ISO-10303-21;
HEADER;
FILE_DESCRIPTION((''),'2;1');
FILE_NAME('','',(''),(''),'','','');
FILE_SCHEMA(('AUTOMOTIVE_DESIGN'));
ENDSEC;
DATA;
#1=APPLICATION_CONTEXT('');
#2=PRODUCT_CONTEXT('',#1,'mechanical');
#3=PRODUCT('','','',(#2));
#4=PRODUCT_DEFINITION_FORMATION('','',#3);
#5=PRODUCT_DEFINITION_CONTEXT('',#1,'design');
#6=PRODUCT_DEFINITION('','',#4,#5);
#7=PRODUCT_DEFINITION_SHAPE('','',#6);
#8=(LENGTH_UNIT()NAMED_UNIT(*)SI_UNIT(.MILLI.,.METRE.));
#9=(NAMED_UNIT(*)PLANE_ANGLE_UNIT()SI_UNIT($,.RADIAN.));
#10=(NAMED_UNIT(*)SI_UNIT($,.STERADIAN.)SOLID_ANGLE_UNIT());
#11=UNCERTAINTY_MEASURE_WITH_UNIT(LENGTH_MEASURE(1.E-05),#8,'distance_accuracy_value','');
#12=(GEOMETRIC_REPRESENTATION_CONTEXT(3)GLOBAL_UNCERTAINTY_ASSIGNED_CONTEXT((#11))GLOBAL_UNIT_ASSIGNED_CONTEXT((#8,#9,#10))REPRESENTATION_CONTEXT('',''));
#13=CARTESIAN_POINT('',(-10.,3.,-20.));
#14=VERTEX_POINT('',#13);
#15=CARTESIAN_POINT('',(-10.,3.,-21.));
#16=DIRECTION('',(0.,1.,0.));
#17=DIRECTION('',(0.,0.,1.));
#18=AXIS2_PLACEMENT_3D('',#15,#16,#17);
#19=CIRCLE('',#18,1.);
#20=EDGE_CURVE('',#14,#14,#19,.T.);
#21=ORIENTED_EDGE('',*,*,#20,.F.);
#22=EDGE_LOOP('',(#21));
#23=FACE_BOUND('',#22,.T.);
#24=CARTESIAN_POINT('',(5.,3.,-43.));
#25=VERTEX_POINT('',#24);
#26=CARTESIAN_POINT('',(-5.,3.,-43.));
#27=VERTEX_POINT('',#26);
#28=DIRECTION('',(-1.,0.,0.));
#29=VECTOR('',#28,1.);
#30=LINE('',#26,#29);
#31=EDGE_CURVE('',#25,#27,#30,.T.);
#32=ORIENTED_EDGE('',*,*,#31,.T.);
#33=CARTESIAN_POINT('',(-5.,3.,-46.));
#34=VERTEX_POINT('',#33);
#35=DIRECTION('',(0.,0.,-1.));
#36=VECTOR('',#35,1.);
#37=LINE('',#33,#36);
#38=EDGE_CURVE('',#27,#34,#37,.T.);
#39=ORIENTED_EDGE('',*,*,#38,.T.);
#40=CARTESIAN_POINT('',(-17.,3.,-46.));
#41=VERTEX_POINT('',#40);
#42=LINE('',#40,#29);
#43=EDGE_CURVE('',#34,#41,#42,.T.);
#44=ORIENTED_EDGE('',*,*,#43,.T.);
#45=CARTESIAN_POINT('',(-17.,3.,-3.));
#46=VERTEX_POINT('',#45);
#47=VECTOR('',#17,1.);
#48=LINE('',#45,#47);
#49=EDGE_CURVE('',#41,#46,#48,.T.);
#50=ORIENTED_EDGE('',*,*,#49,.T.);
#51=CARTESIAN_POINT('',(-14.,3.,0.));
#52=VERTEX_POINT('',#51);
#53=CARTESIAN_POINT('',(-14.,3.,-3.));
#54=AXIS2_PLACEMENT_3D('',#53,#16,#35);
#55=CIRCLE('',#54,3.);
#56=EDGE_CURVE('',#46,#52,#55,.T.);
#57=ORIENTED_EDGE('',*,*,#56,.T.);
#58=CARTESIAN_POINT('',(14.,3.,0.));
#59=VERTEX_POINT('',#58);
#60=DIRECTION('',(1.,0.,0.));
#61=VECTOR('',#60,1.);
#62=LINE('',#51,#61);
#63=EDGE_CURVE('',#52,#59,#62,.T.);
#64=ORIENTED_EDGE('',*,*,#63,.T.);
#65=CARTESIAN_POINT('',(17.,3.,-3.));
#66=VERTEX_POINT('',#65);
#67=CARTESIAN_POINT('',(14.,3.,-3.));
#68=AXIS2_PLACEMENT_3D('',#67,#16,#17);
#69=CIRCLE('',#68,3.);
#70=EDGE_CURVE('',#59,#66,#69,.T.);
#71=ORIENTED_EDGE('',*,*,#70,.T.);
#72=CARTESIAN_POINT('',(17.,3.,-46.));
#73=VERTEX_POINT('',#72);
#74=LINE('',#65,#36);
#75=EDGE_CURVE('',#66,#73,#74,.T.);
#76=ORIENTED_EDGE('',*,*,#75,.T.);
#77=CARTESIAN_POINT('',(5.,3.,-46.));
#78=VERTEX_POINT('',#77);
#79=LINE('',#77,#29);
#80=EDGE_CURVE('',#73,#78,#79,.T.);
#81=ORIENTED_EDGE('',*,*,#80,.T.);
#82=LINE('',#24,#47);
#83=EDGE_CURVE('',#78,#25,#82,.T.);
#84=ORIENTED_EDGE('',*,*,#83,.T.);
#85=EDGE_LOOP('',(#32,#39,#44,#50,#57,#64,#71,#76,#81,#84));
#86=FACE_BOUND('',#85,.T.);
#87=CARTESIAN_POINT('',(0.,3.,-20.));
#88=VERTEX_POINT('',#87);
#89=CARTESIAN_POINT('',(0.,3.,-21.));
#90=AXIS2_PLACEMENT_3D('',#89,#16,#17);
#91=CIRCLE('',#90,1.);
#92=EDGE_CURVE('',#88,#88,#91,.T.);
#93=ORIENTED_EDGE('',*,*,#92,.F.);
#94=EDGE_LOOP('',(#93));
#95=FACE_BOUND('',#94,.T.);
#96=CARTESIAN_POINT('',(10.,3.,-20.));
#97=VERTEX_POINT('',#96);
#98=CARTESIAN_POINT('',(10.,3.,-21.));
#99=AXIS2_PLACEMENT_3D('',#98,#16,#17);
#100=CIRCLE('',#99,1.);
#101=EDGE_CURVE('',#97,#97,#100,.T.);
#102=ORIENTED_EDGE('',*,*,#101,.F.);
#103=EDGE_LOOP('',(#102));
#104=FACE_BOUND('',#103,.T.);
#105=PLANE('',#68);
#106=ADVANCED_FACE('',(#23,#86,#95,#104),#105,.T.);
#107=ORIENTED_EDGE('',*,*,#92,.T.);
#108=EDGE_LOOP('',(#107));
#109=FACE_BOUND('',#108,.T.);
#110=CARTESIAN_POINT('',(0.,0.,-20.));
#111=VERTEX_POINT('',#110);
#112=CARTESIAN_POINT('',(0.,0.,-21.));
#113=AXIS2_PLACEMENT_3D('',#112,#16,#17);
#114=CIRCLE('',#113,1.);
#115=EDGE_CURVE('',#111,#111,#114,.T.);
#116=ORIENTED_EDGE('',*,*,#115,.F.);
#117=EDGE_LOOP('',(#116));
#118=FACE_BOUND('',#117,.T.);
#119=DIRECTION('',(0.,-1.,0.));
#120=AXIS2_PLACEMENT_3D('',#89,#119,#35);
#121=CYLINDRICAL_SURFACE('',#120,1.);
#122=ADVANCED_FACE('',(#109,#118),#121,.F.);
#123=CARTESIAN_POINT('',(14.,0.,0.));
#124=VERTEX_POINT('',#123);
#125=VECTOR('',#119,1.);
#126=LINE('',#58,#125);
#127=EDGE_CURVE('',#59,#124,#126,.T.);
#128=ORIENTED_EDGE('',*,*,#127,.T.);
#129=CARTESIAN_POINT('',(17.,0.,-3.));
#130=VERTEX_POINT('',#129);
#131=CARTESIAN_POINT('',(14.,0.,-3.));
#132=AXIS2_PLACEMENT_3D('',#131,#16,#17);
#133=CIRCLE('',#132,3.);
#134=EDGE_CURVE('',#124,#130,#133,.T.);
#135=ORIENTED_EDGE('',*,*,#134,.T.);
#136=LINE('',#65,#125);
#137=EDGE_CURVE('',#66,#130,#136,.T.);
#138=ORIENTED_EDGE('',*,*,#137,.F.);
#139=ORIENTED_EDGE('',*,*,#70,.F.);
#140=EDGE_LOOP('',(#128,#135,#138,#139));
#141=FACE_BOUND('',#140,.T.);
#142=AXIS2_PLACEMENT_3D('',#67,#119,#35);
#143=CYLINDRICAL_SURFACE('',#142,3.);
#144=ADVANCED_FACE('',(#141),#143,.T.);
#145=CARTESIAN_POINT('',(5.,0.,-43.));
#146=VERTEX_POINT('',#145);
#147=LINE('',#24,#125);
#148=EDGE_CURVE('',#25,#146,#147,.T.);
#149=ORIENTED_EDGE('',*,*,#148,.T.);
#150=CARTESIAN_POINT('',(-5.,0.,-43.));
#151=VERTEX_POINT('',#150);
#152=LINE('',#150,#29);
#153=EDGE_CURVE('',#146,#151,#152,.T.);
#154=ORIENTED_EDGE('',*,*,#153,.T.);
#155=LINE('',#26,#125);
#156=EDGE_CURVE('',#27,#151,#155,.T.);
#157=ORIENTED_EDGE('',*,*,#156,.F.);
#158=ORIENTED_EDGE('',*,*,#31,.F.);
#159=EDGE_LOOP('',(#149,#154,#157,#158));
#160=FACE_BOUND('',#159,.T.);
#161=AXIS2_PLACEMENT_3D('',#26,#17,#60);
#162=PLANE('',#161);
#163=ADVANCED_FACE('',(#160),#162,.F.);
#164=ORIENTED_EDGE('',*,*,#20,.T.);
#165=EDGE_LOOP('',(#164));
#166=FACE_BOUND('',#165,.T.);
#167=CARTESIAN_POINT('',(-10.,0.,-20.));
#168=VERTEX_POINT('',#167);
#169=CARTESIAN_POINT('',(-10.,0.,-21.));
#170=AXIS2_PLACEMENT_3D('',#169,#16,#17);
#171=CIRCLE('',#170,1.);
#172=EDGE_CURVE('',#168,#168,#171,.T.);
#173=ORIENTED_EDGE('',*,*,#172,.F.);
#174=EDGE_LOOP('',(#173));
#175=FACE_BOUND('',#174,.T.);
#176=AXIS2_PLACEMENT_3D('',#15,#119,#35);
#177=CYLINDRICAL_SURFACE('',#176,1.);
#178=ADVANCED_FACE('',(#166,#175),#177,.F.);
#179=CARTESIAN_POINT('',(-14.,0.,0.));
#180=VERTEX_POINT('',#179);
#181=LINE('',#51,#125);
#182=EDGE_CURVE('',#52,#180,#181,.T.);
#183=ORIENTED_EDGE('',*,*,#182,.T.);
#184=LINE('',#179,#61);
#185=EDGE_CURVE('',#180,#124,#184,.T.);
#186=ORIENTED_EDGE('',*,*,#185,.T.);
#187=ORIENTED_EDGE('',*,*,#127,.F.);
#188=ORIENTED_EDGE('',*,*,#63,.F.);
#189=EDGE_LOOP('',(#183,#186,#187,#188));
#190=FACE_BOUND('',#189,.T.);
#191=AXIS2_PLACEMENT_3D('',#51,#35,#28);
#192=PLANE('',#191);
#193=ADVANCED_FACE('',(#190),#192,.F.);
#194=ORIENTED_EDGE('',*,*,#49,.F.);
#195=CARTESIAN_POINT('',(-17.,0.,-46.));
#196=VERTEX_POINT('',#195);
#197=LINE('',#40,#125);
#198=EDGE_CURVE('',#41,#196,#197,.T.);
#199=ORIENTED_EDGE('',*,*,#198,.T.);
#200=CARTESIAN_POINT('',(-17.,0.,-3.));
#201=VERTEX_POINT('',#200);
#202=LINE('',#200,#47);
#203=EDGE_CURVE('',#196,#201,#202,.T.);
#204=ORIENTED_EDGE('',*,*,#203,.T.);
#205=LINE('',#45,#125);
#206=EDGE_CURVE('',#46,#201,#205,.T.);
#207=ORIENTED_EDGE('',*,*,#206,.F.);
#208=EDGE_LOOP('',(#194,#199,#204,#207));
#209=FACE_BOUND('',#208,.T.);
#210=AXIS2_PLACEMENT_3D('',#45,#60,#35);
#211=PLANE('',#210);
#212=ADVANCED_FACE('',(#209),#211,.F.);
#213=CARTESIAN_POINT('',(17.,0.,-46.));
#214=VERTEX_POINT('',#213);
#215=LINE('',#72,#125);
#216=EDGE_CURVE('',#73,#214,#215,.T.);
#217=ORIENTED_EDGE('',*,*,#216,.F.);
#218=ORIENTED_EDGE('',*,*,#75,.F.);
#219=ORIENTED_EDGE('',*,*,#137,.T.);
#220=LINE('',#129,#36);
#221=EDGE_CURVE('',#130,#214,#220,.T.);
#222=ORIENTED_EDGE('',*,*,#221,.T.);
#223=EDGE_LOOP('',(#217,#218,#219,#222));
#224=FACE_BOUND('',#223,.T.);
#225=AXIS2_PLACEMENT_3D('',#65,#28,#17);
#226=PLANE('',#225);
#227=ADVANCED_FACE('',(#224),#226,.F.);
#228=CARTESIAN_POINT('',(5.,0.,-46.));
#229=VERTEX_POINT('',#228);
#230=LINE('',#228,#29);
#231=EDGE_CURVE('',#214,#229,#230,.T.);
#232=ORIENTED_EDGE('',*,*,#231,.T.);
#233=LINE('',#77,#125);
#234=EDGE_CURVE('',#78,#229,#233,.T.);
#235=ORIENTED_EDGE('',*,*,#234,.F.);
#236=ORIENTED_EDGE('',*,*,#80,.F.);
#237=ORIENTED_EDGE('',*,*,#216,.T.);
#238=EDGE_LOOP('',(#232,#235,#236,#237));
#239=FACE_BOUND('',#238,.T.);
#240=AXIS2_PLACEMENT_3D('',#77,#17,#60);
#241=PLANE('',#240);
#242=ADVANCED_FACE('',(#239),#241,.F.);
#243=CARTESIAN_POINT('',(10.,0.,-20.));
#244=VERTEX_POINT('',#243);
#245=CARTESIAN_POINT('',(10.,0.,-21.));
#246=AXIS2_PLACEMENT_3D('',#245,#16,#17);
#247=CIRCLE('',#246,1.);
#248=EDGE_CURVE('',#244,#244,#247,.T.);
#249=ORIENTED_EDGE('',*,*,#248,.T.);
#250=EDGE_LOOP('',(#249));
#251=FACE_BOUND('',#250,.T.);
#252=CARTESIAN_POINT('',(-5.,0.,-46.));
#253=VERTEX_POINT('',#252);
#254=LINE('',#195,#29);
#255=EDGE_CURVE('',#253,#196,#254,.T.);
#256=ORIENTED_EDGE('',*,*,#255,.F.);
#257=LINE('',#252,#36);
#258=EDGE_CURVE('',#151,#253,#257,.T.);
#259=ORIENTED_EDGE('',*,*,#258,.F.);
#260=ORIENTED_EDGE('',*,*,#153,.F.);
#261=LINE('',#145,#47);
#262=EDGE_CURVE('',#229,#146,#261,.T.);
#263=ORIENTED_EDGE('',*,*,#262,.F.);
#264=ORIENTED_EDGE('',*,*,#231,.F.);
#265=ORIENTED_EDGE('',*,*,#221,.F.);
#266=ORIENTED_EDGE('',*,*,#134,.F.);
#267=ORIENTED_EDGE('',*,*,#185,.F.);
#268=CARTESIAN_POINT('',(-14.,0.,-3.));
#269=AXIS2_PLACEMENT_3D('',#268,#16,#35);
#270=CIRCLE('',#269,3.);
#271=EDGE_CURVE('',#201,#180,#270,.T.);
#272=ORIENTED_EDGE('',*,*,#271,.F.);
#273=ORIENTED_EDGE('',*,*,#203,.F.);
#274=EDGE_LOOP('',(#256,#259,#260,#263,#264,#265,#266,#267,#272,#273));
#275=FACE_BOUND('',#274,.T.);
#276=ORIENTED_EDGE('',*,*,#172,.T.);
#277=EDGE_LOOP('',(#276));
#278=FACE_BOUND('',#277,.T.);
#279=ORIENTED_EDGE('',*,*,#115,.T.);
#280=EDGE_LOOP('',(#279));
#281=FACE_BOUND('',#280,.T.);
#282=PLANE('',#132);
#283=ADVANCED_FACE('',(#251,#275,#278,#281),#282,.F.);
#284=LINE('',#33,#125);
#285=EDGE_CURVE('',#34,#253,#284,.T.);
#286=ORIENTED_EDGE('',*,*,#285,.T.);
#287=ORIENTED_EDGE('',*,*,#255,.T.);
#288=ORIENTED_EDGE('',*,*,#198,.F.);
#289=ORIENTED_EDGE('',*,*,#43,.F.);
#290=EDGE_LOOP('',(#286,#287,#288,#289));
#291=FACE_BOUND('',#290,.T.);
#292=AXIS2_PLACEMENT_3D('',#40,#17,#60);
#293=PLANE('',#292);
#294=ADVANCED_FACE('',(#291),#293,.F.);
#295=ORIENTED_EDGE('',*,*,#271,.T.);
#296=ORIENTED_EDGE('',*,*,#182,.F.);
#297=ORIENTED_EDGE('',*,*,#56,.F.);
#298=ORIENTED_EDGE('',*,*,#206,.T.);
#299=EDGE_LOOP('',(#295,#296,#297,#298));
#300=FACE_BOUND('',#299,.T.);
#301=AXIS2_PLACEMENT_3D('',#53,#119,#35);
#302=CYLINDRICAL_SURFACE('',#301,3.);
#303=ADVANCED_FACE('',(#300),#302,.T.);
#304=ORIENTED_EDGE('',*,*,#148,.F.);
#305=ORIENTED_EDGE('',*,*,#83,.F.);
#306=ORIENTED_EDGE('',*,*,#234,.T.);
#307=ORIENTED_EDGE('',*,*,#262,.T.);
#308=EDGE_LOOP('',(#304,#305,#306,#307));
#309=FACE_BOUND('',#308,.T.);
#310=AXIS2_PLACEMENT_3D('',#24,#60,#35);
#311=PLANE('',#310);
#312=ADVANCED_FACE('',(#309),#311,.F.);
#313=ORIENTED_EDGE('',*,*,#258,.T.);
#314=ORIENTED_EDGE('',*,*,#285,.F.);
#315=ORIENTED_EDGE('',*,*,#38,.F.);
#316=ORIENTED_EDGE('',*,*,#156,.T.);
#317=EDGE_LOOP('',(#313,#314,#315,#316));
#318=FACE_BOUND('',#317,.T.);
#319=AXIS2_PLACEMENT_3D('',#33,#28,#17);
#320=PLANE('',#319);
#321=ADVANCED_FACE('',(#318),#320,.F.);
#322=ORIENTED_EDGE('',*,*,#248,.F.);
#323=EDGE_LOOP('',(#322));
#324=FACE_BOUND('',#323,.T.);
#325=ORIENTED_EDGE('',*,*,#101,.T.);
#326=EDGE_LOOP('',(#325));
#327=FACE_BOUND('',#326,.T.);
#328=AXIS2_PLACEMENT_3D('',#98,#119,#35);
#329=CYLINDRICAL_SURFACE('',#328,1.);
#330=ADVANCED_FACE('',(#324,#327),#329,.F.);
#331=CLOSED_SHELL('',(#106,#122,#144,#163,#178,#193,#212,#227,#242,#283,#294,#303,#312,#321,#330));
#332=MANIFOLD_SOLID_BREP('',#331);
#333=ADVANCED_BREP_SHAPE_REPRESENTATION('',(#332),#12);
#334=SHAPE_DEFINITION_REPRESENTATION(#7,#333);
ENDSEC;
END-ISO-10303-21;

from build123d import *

# Parameters (mm, degrees)
ESQUISSE1_R        = 1
BOSS_EXTRU_1_DEPTH = 3


with BuildPart() as part:
    # Esquisse1 → Boss.-Extru.1 (new body)
    with BuildSketch(Plane(origin=(0, 0, 0), x_dir=(1, 0, 0), z_dir=(0, 1, 0))):
        with BuildLine():
            Line((-5, 46), (-5, 43))
            Line((-5, 43), (5, 43))
            Line((5, 43), (5, 46))
            Line((5, 46), (17, 46))
            Line((17, 46), (17, 3))
            ThreePointArc((17, 3), (16.121320344, 0.878679656), (14, 0))
            Line((14, 0), (-14, 0))
            ThreePointArc((-14, 0), (-16.121320344, 0.878679656), (-17, 3))
            Line((-17, 3), (-17, 46))
            Line((-17, 46), (-5, 46))
        make_face()
        with Locations(Location((0, 21, 0), (0, 0, 270))):
            Circle(ESQUISSE1_R, mode=Mode.SUBTRACT)
        with Locations(Location((-10, 21, 0), (0, 0, 270))):
            Circle(ESQUISSE1_R, mode=Mode.SUBTRACT)
        with Locations(Location((10, 21, 0), (0, 0, 270))):
            Circle(ESQUISSE1_R, mode=Mode.SUBTRACT)
    extrude(amount=BOSS_EXTRU_1_DEPTH)


solid = part.part
